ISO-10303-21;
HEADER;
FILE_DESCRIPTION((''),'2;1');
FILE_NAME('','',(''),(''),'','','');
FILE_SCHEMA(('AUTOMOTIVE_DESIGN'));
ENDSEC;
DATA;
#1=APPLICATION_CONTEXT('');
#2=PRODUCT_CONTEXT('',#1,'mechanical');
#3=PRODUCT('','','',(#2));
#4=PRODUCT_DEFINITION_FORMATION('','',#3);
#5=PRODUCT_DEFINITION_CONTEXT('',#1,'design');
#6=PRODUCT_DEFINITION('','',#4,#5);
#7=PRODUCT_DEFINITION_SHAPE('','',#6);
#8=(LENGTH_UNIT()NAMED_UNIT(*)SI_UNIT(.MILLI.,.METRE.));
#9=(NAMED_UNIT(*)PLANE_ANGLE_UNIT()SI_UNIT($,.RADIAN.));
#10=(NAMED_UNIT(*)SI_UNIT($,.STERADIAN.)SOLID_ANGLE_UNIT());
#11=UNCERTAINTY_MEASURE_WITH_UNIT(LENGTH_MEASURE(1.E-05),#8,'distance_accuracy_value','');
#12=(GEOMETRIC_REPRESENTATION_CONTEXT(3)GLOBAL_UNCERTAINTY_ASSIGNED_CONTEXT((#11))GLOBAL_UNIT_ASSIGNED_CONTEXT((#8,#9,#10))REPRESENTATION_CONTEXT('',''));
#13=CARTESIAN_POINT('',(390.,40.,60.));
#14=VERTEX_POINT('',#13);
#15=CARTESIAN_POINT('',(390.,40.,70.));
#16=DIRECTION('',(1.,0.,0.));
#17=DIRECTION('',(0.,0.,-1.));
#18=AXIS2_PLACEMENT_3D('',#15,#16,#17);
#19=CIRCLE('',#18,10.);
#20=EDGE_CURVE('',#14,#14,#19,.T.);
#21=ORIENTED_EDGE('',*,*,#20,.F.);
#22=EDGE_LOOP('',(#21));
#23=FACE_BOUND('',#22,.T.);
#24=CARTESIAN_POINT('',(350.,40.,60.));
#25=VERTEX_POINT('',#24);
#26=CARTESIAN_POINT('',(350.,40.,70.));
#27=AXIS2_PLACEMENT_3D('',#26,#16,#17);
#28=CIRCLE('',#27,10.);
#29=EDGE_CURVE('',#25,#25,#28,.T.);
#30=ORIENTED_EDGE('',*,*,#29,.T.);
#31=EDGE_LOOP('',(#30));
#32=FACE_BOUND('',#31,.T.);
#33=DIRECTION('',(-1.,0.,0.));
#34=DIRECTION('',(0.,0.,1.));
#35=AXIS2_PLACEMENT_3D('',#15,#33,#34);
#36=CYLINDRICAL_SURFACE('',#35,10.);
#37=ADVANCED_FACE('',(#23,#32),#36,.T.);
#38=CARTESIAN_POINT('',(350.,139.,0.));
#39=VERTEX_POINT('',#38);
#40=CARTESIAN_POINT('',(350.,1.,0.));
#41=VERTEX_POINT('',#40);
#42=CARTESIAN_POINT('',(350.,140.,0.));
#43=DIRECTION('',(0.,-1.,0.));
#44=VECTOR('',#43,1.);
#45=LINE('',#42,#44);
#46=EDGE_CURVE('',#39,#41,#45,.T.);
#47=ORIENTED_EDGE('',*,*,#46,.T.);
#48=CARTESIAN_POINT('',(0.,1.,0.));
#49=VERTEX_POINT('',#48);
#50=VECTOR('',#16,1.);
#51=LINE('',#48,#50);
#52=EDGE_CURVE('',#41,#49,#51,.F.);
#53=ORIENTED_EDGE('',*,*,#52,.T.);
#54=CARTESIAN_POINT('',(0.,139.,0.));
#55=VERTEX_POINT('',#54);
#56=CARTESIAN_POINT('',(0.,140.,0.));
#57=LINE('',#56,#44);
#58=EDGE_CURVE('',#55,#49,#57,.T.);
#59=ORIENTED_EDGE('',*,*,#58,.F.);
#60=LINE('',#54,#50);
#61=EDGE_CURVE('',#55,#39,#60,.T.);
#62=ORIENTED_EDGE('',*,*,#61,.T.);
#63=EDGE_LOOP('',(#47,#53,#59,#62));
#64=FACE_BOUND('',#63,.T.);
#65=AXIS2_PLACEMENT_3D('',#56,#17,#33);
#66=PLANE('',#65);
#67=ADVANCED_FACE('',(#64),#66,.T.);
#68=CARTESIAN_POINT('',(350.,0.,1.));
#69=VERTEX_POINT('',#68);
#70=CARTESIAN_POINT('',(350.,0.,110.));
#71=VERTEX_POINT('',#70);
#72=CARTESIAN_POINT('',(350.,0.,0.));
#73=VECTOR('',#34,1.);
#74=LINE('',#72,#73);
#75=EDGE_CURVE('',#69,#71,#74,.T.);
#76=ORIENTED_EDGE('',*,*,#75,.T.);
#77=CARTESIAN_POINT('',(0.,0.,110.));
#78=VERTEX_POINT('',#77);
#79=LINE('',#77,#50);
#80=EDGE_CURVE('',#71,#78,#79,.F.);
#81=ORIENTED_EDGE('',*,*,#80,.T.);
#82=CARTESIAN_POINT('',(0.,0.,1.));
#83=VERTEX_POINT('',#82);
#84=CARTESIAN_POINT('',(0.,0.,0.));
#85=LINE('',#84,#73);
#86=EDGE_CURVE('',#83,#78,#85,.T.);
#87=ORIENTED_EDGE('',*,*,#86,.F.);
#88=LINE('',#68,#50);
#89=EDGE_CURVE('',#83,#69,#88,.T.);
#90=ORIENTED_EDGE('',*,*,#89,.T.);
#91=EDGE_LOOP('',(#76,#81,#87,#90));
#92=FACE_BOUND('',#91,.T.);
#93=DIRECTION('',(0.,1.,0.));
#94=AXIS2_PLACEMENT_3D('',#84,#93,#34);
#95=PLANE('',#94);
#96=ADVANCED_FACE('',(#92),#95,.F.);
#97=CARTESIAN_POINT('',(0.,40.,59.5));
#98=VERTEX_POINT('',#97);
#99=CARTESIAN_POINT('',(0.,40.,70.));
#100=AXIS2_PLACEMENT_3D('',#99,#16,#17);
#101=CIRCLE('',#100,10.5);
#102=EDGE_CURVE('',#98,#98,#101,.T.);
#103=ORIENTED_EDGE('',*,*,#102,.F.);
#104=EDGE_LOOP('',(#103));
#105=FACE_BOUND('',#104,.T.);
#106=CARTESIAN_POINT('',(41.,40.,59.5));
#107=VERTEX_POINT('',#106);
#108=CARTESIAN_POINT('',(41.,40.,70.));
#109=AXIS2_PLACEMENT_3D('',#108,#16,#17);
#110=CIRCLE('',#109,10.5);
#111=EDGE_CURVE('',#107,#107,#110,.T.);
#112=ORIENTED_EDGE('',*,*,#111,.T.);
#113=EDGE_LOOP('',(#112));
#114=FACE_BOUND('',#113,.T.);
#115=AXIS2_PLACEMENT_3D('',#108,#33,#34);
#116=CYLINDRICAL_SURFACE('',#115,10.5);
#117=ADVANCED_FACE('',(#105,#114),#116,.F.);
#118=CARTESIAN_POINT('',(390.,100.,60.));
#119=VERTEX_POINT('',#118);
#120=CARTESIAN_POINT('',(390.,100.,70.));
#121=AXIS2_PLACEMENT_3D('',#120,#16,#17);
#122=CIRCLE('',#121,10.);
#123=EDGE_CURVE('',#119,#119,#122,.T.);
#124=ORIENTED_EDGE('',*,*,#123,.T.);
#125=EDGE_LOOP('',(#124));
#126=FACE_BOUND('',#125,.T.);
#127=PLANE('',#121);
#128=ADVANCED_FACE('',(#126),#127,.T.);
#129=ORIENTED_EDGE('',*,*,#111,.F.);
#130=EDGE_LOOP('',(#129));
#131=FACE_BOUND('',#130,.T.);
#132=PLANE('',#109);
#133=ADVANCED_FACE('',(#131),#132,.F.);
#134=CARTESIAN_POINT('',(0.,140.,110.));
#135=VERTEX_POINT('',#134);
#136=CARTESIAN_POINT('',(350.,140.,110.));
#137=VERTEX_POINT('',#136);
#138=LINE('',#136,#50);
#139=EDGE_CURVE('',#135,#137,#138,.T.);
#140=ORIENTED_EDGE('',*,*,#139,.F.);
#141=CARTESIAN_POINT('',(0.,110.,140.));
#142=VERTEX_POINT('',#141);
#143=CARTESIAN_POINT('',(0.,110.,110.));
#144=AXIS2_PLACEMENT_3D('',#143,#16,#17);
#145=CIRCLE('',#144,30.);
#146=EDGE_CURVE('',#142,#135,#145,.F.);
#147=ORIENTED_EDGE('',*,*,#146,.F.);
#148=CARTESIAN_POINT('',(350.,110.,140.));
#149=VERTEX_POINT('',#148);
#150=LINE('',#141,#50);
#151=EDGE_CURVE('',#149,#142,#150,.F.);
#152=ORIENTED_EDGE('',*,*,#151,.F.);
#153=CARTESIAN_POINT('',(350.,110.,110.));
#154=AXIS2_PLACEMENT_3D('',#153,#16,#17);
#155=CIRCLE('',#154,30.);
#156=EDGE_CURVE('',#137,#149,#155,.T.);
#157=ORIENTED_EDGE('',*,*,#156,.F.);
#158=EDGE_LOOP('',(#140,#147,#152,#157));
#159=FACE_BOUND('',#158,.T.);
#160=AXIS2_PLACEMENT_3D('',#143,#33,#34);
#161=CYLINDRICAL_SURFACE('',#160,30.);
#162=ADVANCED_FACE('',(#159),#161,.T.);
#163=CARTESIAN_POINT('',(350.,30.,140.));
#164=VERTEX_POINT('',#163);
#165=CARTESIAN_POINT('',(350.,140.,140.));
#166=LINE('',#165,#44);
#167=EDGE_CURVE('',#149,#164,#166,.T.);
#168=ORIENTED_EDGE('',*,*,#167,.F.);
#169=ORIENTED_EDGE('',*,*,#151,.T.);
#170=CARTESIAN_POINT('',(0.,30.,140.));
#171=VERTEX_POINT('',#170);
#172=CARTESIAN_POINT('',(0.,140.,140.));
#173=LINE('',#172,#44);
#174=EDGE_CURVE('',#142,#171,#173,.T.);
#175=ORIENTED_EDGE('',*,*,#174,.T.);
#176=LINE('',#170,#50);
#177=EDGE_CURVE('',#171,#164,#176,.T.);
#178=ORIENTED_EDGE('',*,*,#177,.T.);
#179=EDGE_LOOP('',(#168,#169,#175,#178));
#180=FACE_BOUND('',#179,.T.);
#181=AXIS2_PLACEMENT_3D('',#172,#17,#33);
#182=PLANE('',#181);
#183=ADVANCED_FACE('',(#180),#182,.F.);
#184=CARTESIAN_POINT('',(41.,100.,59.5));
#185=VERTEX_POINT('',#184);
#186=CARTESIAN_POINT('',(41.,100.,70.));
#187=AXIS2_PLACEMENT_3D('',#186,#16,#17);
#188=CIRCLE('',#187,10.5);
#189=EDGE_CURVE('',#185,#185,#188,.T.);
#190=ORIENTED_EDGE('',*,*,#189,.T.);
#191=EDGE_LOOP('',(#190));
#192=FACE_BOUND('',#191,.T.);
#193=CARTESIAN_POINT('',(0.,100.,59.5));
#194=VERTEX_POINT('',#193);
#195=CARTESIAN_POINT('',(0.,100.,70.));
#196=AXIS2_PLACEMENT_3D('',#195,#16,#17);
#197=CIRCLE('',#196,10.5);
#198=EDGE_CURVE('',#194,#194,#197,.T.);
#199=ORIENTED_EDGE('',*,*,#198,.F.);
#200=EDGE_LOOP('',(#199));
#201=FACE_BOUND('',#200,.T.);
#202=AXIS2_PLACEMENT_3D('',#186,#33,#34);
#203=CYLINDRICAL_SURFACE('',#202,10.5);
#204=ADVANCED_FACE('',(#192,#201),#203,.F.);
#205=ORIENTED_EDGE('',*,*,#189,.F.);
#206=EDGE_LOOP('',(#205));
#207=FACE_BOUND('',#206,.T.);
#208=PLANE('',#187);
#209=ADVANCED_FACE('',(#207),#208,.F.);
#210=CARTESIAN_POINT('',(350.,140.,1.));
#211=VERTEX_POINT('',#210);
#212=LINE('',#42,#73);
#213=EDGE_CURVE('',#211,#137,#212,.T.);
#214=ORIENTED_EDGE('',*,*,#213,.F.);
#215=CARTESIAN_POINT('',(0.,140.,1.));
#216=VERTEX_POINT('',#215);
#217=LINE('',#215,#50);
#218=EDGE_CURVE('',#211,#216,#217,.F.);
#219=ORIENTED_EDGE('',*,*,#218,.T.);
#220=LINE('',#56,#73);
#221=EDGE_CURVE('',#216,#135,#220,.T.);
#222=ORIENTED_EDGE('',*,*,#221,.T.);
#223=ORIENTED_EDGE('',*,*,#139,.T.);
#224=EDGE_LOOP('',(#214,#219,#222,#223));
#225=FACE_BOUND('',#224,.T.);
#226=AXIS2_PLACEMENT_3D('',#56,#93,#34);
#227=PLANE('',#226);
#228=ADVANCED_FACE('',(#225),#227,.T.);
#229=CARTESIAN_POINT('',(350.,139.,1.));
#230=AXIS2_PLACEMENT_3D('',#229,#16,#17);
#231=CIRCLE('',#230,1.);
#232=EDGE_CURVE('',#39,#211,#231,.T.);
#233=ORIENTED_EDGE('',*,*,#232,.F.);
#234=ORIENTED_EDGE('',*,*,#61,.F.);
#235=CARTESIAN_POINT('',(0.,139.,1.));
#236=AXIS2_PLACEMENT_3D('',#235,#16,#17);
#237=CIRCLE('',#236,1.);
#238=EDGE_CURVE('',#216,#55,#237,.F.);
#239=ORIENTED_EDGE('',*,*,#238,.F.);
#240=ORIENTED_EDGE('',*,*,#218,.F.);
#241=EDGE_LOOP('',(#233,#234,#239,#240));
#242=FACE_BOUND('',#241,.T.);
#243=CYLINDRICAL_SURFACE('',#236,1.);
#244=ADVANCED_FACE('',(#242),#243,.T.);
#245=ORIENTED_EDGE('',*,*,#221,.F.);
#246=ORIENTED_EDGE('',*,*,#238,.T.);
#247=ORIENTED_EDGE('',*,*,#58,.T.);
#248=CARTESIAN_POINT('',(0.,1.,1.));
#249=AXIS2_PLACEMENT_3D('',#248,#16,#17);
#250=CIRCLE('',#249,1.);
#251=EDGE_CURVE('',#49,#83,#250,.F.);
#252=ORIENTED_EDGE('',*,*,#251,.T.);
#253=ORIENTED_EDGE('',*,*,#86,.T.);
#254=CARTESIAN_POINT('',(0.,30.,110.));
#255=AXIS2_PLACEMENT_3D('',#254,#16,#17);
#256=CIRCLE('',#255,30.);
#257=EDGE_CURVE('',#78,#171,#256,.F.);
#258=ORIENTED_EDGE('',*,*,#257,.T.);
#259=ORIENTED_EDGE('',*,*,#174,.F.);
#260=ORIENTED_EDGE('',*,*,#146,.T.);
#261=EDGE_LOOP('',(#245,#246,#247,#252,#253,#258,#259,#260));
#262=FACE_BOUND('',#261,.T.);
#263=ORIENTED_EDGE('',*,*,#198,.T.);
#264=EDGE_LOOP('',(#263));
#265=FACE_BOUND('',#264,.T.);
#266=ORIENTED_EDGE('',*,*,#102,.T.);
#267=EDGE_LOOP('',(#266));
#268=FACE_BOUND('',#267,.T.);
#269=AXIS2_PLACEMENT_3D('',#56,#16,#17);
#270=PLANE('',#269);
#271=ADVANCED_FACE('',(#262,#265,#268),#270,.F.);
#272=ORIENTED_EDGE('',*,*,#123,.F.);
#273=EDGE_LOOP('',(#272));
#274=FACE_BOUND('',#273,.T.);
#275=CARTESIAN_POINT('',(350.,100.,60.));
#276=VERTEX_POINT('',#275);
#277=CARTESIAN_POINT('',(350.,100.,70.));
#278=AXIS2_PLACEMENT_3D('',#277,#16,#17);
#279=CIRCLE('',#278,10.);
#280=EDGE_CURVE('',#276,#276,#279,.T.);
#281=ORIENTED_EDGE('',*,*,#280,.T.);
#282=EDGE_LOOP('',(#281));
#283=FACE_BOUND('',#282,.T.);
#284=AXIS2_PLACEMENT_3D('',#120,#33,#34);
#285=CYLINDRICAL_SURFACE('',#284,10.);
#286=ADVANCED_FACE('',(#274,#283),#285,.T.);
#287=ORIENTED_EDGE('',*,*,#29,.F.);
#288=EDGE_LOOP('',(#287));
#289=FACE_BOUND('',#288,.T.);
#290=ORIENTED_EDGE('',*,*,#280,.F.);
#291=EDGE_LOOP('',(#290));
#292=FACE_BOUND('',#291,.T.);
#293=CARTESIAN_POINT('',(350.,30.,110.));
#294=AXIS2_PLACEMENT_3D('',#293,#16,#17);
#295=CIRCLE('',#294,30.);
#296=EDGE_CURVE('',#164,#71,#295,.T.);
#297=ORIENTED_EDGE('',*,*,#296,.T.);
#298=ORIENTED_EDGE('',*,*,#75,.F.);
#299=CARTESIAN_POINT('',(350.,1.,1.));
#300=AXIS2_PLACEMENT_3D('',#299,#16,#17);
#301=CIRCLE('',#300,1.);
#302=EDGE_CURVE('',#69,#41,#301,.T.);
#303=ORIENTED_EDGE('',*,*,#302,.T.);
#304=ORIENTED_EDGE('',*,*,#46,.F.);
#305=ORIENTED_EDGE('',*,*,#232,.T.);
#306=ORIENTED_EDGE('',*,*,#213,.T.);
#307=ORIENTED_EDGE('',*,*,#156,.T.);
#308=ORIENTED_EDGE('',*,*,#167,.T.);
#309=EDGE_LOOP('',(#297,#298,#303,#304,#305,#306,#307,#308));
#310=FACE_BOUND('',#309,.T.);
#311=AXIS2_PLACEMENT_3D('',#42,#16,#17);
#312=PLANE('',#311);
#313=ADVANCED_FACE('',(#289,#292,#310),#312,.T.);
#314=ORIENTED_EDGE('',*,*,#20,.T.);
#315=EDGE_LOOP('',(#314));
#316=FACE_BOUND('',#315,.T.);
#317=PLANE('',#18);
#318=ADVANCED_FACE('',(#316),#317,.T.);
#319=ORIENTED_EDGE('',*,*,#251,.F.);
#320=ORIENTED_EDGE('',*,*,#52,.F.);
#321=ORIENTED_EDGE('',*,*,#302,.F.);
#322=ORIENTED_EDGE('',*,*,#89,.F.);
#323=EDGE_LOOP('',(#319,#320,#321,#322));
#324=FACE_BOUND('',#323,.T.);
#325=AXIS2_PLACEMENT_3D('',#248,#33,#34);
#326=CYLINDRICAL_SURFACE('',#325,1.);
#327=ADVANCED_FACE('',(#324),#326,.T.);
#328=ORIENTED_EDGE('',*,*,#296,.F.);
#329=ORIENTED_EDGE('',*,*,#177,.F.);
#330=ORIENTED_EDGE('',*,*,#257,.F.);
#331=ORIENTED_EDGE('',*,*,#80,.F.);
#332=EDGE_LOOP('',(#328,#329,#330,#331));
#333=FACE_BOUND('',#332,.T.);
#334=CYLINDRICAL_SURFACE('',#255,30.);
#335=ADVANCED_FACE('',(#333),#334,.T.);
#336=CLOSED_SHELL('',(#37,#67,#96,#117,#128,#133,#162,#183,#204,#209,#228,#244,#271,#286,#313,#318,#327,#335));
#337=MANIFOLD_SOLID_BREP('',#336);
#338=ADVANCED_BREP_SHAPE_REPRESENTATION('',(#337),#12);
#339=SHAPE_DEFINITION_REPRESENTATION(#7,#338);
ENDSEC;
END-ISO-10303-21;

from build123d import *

# Parameters (mm, degrees)
SKETCH1_W           = 350
SKETCH1_H           = 140
BOSS_EXTRUDE1_DEPTH = 140
SKETCH2_R           = 10.5
CUT_EXTRUDE3_DEPTH  = 41
FILLET2_R           = 30
FILLET3_R           = 1
SKETCH3_R           = 10
BOSS_EXTRUDE3_DEPTH = 40


with BuildPart() as part:
    # Sketch1 → Boss-Extrude1 (new body)
    with BuildSketch(Plane(origin=(0, 0, 0), x_dir=(1, 0, 0), z_dir=(0, 1, 0))):
        with Locations((175, -70)):
            Rectangle(SKETCH1_W, SKETCH1_H)
    extrude(amount=BOSS_EXTRUDE1_DEPTH)

    # Sketch2 → Cut-Extrude3 (cut)
    with BuildSketch(Plane(origin=(0, 0, 0), x_dir=(0, 0, -1), z_dir=(1, 0, 0))):
        with Locations((-70, 100)):
            Circle(SKETCH2_R)
        with Locations((-70, 40)):
            Circle(SKETCH2_R)
    extrude(amount=CUT_EXTRUDE3_DEPTH, mode=Mode.SUBTRACT)

    # Fillet2
    fillet2_edges = [part.edges().sort_by_distance(p)[0] for p in [
        (175, 140, 140),
        (175, 0, 140),
    ]]
    fillet(fillet2_edges, radius=FILLET2_R)

    # Fillet3
    fillet3_edges = [part.edges().sort_by_distance(p)[0] for p in [
        (175, 140, 0),
        (175, 0, 0),
    ]]
    fillet(fillet3_edges, radius=FILLET3_R)

    # Sketch3 → Boss-Extrude3 (add)
    with BuildSketch(Plane(origin=(350, 0, 0), x_dir=(0, 0, -1), z_dir=(1, 0, 0))):
        with Locations((-70, 100)):
            Circle(SKETCH3_R)
        with Locations((-70, 40)):
            Circle(SKETCH3_R)
    extrude(amount=BOSS_EXTRUDE3_DEPTH)


solid = part.part
